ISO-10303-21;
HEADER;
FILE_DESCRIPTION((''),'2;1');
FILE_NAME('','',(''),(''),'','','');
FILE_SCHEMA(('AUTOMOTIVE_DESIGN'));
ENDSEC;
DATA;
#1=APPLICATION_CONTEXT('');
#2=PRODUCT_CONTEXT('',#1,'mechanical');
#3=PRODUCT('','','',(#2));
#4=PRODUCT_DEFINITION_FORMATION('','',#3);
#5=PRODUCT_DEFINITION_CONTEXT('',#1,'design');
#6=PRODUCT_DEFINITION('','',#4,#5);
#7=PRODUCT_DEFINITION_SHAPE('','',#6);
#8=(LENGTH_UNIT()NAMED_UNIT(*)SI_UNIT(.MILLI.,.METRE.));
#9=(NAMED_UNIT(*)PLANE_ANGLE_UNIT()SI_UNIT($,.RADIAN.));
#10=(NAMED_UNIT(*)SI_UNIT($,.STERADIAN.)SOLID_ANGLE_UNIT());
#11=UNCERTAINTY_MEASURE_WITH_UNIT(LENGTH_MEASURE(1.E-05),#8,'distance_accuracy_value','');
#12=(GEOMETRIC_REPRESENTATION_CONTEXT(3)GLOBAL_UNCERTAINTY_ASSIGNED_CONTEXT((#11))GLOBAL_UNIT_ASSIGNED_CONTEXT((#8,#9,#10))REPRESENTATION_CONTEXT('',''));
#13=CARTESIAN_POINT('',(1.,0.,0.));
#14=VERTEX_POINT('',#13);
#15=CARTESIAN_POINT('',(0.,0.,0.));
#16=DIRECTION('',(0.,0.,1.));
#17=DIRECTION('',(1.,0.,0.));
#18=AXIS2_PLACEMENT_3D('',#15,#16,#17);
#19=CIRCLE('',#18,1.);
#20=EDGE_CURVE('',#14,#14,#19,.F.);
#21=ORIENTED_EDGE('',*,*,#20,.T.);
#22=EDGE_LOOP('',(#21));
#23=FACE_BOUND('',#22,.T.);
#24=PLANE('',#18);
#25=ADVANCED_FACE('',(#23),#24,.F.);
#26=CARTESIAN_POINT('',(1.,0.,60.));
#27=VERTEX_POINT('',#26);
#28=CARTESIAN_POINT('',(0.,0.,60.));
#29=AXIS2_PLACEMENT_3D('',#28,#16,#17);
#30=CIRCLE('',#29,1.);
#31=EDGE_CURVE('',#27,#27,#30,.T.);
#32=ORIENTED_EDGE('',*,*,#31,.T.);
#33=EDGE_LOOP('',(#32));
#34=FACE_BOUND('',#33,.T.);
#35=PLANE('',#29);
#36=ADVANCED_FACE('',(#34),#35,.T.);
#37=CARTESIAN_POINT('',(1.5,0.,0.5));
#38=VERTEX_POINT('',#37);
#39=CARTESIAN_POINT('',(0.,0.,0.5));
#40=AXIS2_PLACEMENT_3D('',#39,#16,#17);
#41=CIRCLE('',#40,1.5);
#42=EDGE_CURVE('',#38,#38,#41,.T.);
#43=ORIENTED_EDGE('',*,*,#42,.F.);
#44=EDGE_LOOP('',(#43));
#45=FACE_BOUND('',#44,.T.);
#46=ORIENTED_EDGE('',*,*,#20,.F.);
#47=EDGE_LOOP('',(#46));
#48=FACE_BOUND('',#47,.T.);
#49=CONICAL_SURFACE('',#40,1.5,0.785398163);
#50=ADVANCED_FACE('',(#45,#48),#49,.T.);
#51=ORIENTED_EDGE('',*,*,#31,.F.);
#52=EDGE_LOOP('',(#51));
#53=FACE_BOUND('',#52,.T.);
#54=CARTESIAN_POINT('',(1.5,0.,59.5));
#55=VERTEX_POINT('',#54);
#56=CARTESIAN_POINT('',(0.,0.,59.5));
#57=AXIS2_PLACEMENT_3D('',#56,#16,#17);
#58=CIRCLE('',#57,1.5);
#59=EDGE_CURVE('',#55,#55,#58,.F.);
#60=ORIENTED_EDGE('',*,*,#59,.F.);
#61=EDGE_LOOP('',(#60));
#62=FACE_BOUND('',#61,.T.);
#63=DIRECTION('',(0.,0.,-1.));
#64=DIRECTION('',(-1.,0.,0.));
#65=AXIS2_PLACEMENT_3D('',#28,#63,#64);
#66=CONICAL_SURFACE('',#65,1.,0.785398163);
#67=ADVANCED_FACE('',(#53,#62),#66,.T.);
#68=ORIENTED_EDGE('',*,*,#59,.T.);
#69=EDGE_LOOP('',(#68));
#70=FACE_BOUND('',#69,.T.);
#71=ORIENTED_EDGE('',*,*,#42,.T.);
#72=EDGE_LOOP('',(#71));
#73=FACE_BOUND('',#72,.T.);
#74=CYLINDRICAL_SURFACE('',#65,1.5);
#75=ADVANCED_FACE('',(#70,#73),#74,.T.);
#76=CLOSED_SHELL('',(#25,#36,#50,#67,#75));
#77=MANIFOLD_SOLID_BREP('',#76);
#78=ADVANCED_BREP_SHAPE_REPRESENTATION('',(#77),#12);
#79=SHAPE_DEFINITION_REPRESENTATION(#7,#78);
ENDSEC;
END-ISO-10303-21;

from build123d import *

# Parameters (mm, degrees)
ESQUISSE1_R          = 1.5
BASE_EXTRUSION_DEPTH = 60
CHANFREIN1_SIZE      = 0.5


with BuildPart() as part:
    # Esquisse1 → Base-Extrusion (new body)
    with BuildSketch(Plane.XY):
        Circle(ESQUISSE1_R)
    extrude(amount=BASE_EXTRUSION_DEPTH)

    # Chanfrein1
    chanfrein1_edges = [part.edges().sort_by_distance(p)[0] for p in [
        (-1.5, 0, 0),
        (-1.5, 0, 60),
    ]]
    chamfer(chanfrein1_edges, length=CHANFREIN1_SIZE)


solid = part.part
